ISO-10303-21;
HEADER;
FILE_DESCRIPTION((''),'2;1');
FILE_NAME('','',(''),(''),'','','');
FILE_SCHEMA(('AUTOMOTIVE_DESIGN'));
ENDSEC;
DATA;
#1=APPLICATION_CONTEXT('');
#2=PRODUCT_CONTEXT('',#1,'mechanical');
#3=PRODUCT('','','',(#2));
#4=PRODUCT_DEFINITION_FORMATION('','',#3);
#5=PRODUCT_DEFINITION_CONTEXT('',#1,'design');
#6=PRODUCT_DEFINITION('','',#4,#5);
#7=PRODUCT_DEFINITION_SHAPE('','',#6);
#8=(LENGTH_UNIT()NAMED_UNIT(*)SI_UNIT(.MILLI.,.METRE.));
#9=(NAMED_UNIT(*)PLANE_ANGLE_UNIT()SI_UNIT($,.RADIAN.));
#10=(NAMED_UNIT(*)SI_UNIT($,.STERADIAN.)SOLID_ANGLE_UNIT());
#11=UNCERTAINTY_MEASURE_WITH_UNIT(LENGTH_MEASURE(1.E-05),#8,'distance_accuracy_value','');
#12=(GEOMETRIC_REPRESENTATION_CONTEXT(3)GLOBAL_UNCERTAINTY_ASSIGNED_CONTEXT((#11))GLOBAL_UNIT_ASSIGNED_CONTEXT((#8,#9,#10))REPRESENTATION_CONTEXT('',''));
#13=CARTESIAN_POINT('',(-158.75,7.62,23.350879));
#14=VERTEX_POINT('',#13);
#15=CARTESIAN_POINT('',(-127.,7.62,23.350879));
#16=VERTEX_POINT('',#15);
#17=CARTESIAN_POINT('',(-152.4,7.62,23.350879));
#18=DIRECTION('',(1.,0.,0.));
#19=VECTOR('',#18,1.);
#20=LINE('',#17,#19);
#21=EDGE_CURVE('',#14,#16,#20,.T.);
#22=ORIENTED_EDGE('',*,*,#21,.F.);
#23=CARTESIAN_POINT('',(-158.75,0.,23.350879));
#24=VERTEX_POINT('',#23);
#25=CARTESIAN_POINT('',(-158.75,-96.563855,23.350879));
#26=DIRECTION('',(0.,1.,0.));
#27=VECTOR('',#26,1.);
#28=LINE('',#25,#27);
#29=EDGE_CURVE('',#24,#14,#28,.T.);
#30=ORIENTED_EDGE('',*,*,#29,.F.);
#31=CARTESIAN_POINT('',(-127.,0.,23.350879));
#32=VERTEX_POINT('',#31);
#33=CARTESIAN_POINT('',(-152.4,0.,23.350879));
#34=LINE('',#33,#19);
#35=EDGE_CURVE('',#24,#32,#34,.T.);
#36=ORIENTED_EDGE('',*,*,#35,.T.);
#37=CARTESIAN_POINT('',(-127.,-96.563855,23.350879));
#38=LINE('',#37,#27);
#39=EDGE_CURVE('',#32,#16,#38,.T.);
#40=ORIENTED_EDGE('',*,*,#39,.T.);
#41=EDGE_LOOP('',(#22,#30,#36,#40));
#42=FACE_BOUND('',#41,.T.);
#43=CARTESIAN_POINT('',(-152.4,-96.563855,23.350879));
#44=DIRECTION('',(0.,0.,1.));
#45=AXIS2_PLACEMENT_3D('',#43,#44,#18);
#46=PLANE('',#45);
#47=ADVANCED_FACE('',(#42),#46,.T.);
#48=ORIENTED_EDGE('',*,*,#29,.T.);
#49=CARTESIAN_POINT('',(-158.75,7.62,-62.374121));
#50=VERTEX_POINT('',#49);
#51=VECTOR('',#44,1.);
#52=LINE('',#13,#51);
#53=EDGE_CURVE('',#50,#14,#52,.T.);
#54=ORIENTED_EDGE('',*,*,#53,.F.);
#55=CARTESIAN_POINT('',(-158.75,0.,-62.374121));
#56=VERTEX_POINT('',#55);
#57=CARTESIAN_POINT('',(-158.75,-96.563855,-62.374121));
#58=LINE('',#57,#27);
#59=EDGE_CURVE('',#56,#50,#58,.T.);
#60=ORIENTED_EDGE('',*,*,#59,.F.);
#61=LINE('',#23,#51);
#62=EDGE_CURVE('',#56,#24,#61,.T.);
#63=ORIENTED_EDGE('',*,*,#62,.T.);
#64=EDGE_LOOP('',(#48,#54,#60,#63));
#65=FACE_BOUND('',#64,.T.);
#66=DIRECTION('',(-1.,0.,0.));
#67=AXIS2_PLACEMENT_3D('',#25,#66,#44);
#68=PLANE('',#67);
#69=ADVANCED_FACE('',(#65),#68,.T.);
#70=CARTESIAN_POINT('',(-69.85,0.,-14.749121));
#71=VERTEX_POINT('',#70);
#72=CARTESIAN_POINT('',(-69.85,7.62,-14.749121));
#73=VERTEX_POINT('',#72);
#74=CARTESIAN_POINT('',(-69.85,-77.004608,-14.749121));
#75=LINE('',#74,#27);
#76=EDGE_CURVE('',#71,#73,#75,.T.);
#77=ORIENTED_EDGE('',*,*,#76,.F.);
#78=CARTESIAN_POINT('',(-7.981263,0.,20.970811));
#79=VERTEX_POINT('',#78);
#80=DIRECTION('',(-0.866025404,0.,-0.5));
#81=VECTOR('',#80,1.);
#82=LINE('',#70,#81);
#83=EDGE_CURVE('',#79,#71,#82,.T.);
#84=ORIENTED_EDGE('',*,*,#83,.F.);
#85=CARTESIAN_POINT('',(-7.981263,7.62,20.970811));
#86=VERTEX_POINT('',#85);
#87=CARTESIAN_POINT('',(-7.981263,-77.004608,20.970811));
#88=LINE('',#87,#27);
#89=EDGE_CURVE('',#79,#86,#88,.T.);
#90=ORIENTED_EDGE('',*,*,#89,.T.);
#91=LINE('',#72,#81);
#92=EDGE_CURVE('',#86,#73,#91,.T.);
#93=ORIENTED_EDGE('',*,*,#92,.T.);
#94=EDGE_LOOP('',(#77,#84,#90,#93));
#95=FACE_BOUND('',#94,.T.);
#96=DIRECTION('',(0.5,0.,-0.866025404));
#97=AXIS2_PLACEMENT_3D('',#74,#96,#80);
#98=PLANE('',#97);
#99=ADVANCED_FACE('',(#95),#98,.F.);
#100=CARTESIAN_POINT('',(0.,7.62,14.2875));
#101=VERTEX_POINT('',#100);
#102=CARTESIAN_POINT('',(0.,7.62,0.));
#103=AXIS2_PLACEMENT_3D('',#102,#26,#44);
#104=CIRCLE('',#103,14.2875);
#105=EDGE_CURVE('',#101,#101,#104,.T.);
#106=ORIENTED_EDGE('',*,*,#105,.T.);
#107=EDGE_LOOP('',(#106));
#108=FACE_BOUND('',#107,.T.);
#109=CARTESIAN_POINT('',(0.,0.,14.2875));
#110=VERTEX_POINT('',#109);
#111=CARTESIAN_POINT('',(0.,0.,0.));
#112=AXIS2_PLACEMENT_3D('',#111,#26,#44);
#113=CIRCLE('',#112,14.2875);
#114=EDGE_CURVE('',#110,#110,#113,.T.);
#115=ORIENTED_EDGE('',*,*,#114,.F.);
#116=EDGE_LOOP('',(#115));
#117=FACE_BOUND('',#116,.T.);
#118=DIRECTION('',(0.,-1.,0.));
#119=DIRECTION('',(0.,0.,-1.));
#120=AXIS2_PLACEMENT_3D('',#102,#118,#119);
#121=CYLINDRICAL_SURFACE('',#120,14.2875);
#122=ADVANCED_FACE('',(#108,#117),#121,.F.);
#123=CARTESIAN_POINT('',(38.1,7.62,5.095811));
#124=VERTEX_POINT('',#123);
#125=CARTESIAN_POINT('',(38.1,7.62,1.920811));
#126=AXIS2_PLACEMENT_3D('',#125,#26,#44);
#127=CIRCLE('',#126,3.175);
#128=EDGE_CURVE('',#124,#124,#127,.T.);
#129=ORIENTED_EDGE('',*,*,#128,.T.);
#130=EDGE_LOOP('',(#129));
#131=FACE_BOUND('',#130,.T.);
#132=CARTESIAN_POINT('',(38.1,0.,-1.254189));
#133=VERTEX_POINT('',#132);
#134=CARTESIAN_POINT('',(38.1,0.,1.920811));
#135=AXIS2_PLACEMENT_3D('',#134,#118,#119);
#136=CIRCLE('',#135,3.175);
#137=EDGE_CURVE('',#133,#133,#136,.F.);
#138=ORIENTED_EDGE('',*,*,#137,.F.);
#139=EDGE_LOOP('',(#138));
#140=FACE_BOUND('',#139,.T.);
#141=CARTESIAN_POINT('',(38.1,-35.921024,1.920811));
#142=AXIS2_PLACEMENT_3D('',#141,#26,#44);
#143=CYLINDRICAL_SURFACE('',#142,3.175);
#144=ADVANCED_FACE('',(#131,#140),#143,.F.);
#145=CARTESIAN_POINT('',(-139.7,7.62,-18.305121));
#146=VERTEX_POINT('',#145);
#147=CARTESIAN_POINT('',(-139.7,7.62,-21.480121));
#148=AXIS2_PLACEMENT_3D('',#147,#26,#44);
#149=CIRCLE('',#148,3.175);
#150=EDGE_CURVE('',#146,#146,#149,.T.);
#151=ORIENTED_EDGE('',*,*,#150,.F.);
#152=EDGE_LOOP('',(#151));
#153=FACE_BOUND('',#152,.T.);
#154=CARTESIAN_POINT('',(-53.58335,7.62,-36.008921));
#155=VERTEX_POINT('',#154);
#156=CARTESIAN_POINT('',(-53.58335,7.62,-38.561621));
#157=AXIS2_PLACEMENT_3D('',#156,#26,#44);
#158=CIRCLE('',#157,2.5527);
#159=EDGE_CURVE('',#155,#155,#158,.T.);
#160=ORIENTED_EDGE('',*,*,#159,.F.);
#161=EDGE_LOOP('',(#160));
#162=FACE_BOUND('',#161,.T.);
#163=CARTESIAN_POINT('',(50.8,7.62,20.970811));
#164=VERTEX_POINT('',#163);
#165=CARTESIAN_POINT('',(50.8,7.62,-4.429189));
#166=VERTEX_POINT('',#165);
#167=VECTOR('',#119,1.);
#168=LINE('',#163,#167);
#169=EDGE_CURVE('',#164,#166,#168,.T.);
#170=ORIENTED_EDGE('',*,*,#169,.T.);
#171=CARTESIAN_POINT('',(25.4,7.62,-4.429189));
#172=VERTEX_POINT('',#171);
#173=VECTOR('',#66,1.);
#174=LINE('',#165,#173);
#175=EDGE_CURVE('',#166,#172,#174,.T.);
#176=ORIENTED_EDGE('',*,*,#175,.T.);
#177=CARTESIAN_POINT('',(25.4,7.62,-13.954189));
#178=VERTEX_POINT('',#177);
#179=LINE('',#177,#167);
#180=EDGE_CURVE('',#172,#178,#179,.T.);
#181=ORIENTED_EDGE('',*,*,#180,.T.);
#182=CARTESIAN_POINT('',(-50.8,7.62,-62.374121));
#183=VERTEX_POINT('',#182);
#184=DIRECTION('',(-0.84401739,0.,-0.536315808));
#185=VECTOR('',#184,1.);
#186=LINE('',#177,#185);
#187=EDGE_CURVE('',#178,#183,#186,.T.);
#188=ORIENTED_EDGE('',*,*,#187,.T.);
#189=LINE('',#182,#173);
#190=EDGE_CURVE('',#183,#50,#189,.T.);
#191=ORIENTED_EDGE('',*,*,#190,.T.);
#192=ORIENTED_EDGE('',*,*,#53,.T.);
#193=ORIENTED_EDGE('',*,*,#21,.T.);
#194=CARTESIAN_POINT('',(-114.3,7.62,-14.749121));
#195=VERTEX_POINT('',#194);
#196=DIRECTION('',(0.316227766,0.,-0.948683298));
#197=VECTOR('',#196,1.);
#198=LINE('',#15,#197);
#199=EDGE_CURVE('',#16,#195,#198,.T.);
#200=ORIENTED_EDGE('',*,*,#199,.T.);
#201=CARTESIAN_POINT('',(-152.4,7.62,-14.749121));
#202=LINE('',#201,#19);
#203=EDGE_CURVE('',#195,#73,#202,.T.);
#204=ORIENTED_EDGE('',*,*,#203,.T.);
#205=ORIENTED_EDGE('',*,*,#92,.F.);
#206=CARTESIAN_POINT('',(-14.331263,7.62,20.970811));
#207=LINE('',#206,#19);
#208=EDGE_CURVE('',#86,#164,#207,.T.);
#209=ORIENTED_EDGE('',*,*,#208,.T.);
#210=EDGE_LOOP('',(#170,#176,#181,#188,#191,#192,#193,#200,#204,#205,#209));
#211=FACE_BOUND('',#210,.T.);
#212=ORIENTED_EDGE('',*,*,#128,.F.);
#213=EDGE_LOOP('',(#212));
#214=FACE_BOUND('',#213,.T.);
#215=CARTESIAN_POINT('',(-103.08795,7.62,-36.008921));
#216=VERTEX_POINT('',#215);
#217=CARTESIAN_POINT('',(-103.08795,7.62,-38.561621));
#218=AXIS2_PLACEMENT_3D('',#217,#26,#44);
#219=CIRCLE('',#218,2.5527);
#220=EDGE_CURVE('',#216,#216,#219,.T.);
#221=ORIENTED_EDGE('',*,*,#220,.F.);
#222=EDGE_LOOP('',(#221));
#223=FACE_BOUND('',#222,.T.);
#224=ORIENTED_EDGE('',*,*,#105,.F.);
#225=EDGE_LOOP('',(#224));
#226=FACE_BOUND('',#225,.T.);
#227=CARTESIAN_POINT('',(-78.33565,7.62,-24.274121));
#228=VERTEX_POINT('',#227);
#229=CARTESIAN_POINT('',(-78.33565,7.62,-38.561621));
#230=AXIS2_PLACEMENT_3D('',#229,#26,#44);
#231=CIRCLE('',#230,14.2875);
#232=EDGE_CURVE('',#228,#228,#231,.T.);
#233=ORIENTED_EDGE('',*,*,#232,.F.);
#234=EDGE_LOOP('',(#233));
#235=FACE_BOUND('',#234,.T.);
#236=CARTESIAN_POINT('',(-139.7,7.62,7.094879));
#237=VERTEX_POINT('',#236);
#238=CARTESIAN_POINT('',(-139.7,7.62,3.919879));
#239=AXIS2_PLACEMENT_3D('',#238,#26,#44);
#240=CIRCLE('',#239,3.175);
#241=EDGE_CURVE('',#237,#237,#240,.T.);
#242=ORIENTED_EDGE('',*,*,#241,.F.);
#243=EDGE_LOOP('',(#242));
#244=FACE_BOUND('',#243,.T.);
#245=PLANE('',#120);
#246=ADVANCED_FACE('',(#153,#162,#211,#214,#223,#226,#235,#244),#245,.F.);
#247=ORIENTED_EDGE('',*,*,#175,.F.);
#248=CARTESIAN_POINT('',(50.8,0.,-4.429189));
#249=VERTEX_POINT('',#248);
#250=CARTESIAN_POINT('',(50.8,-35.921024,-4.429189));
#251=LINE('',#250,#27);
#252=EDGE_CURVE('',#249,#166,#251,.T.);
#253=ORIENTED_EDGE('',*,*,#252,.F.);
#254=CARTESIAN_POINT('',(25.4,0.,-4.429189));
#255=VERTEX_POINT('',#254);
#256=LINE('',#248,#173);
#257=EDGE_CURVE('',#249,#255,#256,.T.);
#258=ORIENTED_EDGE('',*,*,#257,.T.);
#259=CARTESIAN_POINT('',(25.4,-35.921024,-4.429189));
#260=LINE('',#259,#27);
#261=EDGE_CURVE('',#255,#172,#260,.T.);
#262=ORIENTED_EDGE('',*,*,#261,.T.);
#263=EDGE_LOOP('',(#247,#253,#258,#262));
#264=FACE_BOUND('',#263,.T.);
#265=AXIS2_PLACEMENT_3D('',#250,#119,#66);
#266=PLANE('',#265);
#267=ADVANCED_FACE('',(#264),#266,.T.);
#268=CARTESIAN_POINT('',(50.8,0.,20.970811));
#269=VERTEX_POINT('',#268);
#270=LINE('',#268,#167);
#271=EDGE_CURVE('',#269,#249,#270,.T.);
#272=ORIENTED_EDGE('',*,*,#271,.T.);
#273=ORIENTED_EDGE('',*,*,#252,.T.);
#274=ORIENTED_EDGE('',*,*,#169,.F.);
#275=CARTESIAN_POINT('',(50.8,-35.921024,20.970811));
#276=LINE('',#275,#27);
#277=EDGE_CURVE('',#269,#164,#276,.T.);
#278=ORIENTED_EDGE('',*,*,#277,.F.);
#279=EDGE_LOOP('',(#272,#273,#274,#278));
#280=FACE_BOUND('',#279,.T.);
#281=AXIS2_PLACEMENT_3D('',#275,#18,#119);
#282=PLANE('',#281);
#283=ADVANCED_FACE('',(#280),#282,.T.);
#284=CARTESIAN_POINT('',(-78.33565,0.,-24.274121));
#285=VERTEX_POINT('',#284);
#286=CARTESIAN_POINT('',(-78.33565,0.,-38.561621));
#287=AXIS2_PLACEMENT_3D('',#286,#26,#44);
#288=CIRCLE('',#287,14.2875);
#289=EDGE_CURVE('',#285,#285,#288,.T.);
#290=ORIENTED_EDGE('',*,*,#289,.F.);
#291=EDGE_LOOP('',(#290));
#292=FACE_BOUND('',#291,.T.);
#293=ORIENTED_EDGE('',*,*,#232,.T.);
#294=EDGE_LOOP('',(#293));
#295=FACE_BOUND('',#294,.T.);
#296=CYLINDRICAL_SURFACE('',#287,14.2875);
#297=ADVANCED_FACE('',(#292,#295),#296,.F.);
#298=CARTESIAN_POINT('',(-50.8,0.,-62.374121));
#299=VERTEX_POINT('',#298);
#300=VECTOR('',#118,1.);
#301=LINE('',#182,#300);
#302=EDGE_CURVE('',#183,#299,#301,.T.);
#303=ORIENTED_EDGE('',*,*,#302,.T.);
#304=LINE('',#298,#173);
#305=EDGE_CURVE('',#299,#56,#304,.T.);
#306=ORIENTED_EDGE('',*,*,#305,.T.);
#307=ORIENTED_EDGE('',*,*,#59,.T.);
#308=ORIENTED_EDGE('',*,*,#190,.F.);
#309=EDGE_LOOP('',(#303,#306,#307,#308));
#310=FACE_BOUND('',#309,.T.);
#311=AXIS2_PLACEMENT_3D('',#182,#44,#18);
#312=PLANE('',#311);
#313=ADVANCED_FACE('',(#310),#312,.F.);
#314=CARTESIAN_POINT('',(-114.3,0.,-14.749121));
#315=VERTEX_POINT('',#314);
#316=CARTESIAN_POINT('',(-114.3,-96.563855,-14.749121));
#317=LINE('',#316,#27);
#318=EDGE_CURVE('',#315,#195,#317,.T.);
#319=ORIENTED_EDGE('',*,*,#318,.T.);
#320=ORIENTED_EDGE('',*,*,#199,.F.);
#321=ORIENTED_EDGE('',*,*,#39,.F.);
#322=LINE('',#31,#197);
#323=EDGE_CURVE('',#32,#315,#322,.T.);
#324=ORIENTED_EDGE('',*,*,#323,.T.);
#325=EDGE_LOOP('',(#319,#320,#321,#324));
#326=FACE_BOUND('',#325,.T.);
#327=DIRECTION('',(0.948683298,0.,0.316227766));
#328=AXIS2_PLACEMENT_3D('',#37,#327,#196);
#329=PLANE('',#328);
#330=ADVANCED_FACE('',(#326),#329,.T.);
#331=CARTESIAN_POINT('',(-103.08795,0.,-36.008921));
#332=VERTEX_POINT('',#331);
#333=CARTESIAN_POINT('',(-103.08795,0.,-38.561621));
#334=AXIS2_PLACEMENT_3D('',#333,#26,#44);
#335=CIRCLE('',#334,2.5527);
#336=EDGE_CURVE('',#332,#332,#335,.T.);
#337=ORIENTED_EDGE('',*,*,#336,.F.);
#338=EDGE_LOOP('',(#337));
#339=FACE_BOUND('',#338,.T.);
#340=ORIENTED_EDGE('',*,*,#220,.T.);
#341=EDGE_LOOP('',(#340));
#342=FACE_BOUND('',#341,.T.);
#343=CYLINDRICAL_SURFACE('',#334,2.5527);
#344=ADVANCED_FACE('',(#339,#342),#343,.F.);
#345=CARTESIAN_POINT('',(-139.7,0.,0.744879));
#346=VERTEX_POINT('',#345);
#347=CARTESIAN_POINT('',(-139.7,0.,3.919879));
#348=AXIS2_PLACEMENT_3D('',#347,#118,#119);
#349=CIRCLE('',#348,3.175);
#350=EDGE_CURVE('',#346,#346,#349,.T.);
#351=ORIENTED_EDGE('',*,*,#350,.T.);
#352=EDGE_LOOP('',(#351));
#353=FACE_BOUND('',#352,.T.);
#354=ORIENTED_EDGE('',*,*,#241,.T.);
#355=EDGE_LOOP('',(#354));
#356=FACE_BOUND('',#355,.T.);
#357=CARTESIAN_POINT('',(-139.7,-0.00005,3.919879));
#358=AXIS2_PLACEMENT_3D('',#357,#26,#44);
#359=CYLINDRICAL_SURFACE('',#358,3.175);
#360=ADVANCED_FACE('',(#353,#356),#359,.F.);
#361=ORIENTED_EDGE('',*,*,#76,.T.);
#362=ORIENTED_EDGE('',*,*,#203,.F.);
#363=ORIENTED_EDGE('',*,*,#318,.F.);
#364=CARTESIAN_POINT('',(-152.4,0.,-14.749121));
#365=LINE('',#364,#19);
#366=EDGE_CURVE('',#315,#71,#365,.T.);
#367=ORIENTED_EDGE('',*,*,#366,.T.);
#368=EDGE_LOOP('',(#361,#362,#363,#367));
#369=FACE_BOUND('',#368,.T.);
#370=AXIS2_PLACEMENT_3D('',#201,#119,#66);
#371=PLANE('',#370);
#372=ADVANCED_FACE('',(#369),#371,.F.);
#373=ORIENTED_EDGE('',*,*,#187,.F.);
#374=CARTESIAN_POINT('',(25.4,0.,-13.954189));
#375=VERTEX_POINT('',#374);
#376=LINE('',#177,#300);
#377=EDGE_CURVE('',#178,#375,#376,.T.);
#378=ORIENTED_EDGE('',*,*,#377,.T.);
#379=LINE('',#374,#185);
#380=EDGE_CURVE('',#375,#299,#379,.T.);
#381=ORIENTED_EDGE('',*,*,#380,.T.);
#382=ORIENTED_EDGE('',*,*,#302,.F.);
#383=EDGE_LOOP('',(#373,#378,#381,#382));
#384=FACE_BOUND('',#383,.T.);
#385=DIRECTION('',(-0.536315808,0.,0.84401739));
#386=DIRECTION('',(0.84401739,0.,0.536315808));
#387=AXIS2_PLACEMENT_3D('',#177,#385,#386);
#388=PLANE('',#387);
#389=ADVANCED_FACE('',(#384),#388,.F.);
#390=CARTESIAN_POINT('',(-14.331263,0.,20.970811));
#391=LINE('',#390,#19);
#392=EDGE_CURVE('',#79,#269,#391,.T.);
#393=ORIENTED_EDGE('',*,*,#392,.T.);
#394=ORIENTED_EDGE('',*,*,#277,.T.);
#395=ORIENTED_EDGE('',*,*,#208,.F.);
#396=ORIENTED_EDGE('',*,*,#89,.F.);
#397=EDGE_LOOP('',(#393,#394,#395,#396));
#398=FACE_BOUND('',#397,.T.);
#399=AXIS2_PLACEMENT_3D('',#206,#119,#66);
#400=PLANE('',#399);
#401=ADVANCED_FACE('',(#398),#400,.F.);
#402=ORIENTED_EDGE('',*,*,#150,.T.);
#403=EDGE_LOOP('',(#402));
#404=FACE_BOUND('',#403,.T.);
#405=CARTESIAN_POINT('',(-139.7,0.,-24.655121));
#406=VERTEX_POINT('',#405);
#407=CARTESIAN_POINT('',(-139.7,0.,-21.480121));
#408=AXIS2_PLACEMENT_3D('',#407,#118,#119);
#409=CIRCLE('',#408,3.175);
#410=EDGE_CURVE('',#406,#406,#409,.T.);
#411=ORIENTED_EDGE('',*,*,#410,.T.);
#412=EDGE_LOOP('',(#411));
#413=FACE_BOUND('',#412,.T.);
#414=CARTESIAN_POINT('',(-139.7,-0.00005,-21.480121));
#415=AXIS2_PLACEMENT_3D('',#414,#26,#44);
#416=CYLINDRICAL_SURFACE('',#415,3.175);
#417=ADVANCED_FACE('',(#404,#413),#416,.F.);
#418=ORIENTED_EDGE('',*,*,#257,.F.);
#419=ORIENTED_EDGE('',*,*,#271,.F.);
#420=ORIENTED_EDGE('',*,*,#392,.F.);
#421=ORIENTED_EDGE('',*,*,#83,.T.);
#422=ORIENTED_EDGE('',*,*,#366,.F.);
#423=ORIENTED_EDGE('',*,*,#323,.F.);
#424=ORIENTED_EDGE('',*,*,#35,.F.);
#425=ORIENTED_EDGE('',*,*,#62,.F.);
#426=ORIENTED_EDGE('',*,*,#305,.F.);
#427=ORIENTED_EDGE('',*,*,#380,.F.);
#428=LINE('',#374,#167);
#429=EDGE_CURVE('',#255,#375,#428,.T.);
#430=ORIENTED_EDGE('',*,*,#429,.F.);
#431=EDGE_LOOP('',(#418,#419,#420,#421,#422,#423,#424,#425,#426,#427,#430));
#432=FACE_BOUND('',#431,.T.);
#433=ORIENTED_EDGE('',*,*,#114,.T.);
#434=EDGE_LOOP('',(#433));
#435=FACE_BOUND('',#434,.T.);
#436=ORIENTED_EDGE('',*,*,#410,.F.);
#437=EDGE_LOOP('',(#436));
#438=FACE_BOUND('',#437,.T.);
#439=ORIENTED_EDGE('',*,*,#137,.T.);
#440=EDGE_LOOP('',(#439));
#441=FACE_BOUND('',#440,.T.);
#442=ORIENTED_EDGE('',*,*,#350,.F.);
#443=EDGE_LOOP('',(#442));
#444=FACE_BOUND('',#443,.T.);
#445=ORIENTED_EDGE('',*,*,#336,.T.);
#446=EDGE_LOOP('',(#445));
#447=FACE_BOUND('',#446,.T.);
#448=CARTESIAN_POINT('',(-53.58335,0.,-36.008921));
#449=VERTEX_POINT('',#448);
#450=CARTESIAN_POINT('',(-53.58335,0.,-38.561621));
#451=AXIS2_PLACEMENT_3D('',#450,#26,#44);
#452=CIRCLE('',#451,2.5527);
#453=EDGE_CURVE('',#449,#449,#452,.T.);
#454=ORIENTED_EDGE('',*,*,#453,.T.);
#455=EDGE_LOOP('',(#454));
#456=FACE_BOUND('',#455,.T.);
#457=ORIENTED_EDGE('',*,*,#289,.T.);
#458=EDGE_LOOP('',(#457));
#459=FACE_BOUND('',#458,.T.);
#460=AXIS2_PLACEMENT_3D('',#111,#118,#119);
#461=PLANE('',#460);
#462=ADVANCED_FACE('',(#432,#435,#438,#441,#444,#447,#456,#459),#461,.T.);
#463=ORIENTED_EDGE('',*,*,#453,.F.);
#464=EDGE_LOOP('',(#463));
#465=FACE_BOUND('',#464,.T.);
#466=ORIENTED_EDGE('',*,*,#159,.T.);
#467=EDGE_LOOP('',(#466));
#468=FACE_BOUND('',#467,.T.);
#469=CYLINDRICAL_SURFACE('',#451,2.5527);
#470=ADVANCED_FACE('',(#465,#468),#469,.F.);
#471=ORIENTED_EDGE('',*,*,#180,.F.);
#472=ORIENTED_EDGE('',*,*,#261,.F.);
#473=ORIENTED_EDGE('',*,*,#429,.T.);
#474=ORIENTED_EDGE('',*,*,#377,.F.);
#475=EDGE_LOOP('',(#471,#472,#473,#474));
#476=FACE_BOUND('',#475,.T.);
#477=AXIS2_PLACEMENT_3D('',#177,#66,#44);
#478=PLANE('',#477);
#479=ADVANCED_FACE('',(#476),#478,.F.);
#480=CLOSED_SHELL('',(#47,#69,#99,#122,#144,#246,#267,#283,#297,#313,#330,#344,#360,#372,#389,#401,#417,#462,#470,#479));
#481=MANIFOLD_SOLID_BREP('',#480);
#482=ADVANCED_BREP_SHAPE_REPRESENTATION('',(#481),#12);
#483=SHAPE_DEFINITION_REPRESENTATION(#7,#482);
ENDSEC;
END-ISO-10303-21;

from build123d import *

# Parameters (mm, degrees)
SKETCH1_R           = 14.2875
BOSS_EXTRUDE1_DEPTH = 7.62
SKETCH2_R           = 14.2875
SKETCH2_R_2         = 2.5527
CUT_EXTRUDE1_DEPTH  = 8.62
SKETCH5_W           = 25.4
SKETCH5_H           = 25.4
SKETCH5_R           = 3.175
BOSS_EXTRUDE3_DEPTH = 7.62
BOSS_EXTRUDE4_DEPTH = 7.62
SKETCH7_R           = 3.175
CUT_EXTRUDE2_DEPTH  = 8.62
CUT_EXTRUDE3_DEPTH  = 7.62


with BuildPart() as part:
    # Sketch1 → Boss-Extrude1 (new body)
    with BuildSketch(Plane(origin=(0, 0, 0), x_dir=(1, 0, 0), z_dir=(0, 1, 0))):
        Polygon((-76.2, 14.749121283), (-14.331263069, -20.970810639), (25.4, -20.970810639), (25.4, 13.954189361), (-50.8, 62.374121283), (-152.4, 62.374121283), (-152.4, 14.749121283), align=None)
        Circle(SKETCH1_R, mode=Mode.SUBTRACT)
    extrude(amount=BOSS_EXTRUDE1_DEPTH)

    # Sketch2 → Cut-Extrude1 (cut, through all)
    with BuildSketch(Plane(origin=(0, 7.62, 0), x_dir=(1, 0, 0), z_dir=(0, 1, 0))):
        with Locations((-78.335649741, 38.561621283)):
            Circle(SKETCH2_R)
        with Locations((-103.087949741, 38.561621283)):
            Circle(SKETCH2_R_2)
        with Locations((-53.583349741, 38.561621283)):
            Circle(SKETCH2_R_2)
    extrude(amount=-CUT_EXTRUDE1_DEPTH, mode=Mode.SUBTRACT)

    # Sketch5 → Boss-Extrude3 (add)
    with BuildSketch(Plane(origin=(0, 7.62, 0), x_dir=(1, 0, 0), z_dir=(0, 1, 0))):
        with Locations((38.1, -8.270810639)):
            Rectangle(SKETCH5_W, SKETCH5_H)
        with Locations((38.1, -1.920810639)):
            Circle(SKETCH5_R, mode=Mode.SUBTRACT)
    extrude(amount=-BOSS_EXTRUDE3_DEPTH)

    # Sketch6 → Boss-Extrude4 (add)
    with BuildSketch(Plane(origin=(0, 7.62, 0), x_dir=(1, 0, 0), z_dir=(0, 1, 0))):
        Polygon((-152.4, -23.350878717), (-127, -23.350878717), (-114.3, 14.749121283), (-152.4, 14.749121283), (-152.4, 62.374121283), (-158.75, 62.374121283), (-158.75, -23.350878717), align=None)
    extrude(amount=-BOSS_EXTRUDE4_DEPTH)

    # Sketch7 → Cut-Extrude2 (cut, through all)
    with BuildSketch(Plane(origin=(0, 7.62, 0), x_dir=(1, 0, 0), z_dir=(0, 1, 0))):
        with Locations((-139.7, 21.480121283)):
            Circle(SKETCH7_R)
        with Locations((-139.7, -3.919878717)):
            Circle(SKETCH7_R)
    extrude(amount=-CUT_EXTRUDE2_DEPTH, mode=Mode.SUBTRACT)

    # Sketch10 → Cut-Extrude3 (cut)
    with BuildSketch(Plane(origin=(0, 7.62, 0), x_dir=(1, 0, 0), z_dir=(0, 1, 0))):
        Polygon((-76.2, 14.749121283), (-69.85, 14.749121283), (-7.981263069, -20.970810639), (-14.331263069, -20.970810639), align=None)
    extrude(amount=-CUT_EXTRUDE3_DEPTH, mode=Mode.SUBTRACT)


solid = part.part
